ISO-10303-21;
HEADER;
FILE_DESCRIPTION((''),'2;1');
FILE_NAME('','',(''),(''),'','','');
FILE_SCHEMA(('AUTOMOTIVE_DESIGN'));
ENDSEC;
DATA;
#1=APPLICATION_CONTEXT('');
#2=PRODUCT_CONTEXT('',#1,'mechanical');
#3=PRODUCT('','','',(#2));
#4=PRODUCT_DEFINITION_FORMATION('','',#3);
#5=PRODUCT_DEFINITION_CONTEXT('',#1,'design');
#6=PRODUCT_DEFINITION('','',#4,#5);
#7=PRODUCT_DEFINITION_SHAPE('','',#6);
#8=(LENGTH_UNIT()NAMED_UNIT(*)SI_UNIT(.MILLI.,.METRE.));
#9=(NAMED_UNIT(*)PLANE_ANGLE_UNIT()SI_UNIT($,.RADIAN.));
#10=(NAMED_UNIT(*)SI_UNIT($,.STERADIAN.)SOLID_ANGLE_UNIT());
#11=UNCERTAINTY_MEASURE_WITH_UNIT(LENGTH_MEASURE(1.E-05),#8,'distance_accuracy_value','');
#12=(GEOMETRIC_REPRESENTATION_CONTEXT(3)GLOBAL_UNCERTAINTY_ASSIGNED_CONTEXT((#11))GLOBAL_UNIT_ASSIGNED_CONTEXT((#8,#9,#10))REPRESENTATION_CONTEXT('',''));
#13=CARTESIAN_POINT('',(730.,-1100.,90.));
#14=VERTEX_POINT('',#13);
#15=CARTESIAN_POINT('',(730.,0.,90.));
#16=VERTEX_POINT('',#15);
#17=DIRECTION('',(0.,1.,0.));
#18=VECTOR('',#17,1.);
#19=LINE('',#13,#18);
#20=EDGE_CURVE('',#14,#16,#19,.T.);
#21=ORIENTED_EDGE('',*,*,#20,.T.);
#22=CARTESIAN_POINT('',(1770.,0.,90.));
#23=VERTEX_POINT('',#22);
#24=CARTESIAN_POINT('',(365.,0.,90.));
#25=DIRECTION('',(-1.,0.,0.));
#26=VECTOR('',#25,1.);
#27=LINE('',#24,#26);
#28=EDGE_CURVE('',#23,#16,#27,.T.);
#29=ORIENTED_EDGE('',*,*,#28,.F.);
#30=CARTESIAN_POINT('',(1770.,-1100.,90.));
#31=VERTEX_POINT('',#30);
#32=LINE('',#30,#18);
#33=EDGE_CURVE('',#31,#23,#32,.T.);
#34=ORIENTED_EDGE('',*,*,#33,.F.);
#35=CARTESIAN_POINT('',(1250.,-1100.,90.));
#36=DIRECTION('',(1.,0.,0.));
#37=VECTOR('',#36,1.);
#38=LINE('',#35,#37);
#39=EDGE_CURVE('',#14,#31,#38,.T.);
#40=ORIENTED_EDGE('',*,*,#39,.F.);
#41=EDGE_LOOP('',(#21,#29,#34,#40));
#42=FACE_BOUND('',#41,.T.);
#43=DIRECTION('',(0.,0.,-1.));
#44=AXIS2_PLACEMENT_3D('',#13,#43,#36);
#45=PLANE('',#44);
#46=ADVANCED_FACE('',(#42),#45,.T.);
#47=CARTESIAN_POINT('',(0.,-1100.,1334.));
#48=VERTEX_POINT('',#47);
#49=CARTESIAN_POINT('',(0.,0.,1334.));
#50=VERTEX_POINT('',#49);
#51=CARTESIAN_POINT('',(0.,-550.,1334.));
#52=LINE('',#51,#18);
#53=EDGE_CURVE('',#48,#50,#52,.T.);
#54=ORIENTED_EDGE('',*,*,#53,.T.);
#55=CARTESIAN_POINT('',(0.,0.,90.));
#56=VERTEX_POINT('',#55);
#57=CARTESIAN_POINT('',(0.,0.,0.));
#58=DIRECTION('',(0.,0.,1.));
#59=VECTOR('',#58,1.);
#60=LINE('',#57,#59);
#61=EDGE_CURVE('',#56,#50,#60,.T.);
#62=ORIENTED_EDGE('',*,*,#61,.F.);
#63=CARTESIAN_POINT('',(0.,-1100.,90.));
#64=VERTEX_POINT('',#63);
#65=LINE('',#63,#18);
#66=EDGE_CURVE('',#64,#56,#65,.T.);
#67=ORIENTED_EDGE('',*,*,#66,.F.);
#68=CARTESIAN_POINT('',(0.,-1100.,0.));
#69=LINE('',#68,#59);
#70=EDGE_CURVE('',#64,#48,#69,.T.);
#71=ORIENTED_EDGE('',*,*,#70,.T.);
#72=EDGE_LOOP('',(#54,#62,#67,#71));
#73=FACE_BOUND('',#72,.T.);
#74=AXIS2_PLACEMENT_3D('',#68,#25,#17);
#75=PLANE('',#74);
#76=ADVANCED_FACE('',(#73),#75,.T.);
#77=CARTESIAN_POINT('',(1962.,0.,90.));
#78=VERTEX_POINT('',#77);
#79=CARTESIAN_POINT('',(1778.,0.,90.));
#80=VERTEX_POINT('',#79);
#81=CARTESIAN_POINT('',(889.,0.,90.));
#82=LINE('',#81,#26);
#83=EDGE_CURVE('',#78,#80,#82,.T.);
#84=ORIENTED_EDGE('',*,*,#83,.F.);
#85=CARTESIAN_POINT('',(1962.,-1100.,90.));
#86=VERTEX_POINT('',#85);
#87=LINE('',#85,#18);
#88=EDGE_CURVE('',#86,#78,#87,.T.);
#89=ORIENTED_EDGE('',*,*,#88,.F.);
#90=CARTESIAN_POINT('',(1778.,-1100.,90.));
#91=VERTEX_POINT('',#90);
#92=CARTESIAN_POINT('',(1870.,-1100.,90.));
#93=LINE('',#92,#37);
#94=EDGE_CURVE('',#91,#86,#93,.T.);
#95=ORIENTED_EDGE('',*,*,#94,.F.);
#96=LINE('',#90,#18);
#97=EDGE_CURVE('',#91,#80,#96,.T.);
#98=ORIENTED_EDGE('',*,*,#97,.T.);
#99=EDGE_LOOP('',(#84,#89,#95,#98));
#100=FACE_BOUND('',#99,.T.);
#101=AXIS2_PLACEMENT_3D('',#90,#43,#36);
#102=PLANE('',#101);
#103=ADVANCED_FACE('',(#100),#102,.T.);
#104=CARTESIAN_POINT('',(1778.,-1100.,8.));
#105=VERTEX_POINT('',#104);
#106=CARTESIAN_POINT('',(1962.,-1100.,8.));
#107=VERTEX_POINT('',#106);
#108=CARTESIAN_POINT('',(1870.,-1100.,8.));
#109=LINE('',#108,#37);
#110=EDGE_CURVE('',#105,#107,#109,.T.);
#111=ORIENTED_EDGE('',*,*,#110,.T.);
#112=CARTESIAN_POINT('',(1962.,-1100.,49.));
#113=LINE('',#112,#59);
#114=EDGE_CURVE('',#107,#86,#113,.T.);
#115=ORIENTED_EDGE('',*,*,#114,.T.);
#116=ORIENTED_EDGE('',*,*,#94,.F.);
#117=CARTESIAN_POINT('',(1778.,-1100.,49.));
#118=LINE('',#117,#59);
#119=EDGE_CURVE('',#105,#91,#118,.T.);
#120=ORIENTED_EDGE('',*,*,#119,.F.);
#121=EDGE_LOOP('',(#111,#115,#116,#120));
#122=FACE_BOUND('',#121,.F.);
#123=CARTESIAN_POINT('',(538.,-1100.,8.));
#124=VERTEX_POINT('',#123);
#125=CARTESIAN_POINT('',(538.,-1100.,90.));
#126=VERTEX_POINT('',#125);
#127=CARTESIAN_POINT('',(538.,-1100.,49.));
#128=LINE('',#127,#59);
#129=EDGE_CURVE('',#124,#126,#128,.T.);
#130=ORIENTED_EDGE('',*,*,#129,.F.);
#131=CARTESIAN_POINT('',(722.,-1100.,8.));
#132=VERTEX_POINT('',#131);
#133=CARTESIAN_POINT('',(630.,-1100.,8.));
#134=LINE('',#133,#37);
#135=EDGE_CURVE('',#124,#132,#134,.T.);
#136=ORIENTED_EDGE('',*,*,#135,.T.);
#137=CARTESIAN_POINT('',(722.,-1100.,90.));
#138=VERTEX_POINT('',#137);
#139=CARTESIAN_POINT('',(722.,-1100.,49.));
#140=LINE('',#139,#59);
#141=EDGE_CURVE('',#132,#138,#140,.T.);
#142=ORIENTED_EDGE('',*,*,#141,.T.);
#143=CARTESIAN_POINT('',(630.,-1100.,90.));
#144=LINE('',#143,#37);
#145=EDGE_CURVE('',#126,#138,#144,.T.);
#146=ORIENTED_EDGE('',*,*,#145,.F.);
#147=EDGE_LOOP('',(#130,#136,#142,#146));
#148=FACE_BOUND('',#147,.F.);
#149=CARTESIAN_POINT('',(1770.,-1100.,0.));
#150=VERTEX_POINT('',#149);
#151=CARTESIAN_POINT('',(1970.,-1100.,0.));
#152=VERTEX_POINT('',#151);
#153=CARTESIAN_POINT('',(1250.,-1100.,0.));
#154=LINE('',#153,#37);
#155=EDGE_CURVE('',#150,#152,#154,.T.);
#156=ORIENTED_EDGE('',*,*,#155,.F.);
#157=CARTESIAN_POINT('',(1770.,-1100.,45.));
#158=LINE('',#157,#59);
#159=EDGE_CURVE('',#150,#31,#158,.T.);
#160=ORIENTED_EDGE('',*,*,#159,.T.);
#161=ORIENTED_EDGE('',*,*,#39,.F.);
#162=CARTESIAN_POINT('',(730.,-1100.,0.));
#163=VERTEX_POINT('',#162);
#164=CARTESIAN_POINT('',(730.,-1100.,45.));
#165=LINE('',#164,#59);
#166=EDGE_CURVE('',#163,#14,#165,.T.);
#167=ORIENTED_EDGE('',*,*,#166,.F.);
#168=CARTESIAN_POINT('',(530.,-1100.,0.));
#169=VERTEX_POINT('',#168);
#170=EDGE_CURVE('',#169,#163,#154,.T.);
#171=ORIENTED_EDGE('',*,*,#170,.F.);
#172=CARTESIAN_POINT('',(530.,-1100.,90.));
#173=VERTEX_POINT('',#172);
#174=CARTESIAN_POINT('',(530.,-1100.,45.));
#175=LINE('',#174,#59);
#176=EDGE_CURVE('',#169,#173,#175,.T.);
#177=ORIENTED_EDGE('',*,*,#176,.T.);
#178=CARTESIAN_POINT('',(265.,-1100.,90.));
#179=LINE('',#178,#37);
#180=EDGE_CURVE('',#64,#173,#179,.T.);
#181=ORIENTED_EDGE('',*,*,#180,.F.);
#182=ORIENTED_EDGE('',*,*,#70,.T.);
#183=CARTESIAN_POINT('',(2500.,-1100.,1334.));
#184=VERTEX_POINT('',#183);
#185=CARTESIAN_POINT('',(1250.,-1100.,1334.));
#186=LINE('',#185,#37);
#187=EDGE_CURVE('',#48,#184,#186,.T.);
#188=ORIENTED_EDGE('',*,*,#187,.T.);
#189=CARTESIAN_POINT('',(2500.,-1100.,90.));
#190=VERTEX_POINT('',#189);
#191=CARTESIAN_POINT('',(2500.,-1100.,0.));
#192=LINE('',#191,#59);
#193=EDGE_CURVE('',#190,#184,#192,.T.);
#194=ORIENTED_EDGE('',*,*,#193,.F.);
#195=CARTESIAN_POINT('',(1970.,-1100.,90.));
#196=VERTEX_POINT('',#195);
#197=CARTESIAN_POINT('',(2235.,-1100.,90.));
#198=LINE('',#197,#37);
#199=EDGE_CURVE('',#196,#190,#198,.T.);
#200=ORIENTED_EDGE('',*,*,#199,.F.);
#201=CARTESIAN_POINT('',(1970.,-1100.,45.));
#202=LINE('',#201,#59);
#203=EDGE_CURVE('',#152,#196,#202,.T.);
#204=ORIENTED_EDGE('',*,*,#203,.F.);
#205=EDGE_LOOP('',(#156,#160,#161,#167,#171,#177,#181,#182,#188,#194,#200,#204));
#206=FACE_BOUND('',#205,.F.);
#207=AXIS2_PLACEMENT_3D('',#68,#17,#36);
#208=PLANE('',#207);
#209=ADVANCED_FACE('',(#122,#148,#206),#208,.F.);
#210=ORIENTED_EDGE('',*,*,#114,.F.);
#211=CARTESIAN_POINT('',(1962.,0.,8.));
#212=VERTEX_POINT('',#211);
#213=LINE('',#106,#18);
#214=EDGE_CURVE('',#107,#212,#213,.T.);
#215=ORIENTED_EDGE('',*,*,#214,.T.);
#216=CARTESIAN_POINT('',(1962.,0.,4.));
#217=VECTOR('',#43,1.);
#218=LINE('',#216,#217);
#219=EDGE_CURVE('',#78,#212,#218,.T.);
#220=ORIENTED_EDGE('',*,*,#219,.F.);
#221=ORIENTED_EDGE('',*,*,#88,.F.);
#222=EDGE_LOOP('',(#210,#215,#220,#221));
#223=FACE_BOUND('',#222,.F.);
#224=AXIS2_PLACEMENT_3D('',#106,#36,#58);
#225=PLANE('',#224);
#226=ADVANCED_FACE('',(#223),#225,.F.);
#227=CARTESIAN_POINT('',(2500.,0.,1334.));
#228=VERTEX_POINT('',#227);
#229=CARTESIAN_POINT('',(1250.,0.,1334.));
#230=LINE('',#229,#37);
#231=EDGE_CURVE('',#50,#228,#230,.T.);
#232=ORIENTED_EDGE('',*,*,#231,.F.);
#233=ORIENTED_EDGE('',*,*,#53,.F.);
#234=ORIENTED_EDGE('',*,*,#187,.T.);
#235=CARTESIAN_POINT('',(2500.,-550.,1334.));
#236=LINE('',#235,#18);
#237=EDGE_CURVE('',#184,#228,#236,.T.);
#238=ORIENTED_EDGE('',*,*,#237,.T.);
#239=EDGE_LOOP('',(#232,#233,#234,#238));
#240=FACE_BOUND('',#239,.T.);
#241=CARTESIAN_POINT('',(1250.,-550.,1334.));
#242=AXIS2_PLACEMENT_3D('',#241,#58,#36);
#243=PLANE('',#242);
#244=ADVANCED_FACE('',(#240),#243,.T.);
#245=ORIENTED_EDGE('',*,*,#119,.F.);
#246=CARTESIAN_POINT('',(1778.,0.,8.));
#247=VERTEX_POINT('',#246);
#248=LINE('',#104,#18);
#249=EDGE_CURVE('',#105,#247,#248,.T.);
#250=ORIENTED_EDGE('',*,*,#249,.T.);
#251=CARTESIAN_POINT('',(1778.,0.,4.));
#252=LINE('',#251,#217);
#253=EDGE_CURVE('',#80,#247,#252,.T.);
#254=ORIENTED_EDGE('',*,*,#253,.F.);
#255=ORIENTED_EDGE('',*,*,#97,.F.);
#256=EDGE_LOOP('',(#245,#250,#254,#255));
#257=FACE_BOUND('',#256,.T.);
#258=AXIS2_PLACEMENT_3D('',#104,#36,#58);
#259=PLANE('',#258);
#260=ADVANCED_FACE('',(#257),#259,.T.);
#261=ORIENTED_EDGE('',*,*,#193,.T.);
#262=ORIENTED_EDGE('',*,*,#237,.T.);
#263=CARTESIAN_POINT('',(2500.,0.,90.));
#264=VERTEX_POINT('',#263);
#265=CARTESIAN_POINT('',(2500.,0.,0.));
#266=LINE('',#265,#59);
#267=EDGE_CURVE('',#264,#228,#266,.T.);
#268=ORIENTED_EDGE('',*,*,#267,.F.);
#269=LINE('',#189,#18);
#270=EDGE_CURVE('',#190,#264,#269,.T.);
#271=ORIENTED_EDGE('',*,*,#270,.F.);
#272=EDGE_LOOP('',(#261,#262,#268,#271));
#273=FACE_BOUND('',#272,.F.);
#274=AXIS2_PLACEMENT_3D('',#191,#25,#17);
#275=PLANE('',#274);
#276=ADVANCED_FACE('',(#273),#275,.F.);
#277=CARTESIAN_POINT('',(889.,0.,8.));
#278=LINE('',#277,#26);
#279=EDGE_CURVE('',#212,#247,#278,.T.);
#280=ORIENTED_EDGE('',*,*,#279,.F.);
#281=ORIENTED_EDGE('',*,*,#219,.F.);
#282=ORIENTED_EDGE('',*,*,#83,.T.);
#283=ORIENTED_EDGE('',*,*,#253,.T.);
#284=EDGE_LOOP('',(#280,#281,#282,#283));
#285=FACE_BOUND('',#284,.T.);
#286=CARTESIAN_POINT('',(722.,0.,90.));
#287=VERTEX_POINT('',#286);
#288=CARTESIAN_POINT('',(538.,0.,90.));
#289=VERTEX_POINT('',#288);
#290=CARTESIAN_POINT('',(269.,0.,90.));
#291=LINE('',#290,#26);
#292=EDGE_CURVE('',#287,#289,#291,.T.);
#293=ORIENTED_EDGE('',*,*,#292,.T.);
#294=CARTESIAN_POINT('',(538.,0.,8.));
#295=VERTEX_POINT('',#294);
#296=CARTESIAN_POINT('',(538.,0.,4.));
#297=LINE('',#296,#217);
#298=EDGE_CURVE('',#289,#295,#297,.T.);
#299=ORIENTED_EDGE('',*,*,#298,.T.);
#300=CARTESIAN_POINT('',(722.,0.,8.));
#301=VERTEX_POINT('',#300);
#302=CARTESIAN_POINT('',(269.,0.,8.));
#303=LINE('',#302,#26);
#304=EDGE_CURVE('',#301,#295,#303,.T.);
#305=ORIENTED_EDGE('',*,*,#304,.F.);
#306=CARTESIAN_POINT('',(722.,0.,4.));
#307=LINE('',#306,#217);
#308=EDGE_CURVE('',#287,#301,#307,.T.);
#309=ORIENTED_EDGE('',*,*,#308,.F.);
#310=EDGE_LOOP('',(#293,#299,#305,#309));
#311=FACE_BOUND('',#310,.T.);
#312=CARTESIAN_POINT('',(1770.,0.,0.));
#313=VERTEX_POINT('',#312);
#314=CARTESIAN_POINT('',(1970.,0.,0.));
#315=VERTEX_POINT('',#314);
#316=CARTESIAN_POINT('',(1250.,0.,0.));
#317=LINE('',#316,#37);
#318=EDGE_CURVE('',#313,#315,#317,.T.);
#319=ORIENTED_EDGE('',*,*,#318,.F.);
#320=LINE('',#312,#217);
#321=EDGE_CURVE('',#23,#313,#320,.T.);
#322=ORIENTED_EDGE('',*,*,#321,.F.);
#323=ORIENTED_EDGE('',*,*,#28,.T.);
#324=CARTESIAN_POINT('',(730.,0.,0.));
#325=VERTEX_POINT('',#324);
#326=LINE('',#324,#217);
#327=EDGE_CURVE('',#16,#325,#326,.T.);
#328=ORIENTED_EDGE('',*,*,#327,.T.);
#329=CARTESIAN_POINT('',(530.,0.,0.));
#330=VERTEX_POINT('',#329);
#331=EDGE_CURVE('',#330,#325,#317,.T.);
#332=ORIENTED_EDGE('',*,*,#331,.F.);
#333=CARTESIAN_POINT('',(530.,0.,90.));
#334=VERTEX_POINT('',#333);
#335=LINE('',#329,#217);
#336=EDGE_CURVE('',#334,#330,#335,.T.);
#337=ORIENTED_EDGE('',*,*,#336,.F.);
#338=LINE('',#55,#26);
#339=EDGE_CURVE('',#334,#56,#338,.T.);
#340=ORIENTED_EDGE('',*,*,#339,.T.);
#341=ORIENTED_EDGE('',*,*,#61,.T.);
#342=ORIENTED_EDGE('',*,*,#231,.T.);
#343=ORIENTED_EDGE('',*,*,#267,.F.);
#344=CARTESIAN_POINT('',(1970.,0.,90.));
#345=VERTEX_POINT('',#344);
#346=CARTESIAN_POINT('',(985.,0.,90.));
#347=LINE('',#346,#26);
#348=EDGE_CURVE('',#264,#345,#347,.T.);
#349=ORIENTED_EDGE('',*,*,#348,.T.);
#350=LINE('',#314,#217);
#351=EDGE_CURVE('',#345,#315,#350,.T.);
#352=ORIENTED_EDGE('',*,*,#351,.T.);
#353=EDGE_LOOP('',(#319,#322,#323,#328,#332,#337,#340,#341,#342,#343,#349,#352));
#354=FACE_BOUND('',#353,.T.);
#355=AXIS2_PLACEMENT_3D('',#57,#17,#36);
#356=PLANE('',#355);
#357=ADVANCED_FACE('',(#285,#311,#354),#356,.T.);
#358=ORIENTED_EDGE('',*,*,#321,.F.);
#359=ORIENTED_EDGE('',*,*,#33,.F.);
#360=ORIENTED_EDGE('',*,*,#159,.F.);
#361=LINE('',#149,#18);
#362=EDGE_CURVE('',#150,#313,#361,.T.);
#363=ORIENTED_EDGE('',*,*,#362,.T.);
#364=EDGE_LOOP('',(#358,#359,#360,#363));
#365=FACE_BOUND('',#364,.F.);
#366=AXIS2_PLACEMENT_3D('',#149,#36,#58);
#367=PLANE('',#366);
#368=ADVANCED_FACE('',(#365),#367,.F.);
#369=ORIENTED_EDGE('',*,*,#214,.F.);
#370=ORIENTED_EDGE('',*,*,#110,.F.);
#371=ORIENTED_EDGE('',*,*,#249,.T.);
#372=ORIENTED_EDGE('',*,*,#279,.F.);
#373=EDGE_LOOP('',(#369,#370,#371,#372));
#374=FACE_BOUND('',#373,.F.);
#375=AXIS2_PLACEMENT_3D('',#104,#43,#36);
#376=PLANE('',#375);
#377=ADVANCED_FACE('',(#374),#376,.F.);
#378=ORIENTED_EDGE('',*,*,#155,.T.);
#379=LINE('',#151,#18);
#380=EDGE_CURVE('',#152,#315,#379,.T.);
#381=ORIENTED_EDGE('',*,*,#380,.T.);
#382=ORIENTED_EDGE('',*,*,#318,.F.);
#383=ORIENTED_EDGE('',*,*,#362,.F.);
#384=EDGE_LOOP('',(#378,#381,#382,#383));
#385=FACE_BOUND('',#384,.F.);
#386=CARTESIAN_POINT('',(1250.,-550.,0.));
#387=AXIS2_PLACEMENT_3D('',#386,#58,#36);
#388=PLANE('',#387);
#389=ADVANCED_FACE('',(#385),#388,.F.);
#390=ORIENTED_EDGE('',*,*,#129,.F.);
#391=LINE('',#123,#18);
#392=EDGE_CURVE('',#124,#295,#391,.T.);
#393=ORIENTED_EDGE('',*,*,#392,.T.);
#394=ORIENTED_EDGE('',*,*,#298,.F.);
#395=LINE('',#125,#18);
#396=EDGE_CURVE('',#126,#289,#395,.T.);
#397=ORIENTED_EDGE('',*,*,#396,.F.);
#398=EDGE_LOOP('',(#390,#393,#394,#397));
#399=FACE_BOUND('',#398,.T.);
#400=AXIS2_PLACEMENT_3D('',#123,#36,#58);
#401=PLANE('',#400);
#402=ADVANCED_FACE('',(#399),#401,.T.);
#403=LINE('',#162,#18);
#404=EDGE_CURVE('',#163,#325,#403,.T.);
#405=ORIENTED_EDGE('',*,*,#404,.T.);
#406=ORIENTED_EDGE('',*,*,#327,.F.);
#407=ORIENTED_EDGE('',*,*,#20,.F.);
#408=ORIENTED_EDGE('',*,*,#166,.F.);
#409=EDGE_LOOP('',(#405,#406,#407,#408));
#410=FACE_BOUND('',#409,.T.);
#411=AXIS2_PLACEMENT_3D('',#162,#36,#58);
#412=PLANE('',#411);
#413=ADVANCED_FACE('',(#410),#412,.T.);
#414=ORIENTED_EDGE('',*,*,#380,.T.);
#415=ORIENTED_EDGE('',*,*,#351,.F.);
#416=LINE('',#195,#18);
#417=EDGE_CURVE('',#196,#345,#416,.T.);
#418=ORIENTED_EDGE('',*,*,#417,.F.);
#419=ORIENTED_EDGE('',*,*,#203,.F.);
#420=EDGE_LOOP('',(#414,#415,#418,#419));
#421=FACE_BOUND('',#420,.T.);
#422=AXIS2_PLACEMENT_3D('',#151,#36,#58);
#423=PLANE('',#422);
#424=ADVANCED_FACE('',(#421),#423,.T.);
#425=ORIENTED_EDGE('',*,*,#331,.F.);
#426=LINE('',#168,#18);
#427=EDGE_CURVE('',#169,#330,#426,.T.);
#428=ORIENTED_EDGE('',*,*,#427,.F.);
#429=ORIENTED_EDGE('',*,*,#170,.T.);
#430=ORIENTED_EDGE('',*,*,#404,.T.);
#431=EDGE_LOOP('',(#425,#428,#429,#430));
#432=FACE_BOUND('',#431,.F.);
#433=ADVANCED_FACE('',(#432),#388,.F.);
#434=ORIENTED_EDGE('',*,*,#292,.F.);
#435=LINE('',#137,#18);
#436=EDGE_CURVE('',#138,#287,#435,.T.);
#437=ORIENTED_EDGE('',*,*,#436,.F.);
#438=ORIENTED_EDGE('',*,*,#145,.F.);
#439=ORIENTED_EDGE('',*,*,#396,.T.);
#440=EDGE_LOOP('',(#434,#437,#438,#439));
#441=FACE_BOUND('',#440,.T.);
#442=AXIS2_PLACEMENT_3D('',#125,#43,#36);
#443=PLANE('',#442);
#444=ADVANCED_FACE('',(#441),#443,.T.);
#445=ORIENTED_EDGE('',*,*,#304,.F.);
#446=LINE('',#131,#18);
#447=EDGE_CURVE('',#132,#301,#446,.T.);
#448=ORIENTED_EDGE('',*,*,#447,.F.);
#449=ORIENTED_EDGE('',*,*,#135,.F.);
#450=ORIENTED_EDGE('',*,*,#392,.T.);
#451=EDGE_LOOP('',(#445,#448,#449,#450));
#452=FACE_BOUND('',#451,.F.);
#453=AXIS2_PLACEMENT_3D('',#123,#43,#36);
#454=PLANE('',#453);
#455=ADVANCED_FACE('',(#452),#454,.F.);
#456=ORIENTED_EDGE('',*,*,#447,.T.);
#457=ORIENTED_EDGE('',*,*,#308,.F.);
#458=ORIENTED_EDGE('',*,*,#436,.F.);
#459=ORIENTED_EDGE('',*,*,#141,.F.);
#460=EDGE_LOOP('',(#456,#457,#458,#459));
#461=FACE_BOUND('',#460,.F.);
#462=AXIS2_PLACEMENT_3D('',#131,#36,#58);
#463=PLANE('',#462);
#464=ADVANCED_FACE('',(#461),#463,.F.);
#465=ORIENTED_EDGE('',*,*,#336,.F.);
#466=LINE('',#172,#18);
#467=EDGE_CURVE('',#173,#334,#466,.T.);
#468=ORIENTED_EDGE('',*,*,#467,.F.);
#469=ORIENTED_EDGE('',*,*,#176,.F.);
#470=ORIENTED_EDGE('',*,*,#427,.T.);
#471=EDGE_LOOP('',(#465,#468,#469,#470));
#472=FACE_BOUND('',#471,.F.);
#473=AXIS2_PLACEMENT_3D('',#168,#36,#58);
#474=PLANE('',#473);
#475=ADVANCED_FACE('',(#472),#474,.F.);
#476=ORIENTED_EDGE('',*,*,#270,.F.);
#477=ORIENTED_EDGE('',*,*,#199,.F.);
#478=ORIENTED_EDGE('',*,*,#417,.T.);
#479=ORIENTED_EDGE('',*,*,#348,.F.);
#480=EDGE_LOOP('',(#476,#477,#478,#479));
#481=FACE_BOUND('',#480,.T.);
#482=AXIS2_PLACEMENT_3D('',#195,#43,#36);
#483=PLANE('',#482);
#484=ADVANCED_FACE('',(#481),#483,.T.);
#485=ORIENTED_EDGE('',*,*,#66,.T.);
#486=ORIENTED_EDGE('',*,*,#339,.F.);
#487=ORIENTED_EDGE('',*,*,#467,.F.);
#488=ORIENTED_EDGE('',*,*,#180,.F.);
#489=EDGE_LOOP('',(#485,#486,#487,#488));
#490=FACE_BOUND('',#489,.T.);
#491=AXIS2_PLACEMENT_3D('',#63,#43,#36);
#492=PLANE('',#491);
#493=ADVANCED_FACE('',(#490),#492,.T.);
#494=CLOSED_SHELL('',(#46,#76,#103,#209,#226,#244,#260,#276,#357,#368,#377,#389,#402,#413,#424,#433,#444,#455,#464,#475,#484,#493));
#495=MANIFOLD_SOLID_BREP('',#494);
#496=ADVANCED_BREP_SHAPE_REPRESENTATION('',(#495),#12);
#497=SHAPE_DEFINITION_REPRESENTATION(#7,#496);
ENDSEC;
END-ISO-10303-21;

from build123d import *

# Parameters (mm, degrees)
F0_W     = 2500
F0_H     = 1100
F1_DEPTH = 1334
F2_W     = 530
F2_H     = 90
F2_W_2   = 1040
F2_W_3   = 184
F2_H_2   = 82
F3_DEPTH = 1100.001


with BuildPart() as f1:
    # F0 (on Top) → F1 (new body)
    with BuildSketch(Plane.XY):
        with Locations((1250, -550)):
            Rectangle(F0_W, F0_H)
    extrude(amount=F1_DEPTH)

    # F2 (on face) → F3 (cut, through all)
    with BuildSketch(Plane.XZ.offset(1100)):
        with Locations((265, 45)):
            Rectangle(F2_W, F2_H)
        with Locations((1250, 45)):
            Rectangle(F2_W_2, F2_H)
        with Locations((2235, 45)):
            Rectangle(F2_W, F2_H)
        with Locations((630, 49)):
            Rectangle(F2_W_3, F2_H_2)
        with Locations((1870, 49)):
            Rectangle(F2_W_3, F2_H_2)
    extrude(amount=-F3_DEPTH, mode=Mode.SUBTRACT)


solid = f1.part
